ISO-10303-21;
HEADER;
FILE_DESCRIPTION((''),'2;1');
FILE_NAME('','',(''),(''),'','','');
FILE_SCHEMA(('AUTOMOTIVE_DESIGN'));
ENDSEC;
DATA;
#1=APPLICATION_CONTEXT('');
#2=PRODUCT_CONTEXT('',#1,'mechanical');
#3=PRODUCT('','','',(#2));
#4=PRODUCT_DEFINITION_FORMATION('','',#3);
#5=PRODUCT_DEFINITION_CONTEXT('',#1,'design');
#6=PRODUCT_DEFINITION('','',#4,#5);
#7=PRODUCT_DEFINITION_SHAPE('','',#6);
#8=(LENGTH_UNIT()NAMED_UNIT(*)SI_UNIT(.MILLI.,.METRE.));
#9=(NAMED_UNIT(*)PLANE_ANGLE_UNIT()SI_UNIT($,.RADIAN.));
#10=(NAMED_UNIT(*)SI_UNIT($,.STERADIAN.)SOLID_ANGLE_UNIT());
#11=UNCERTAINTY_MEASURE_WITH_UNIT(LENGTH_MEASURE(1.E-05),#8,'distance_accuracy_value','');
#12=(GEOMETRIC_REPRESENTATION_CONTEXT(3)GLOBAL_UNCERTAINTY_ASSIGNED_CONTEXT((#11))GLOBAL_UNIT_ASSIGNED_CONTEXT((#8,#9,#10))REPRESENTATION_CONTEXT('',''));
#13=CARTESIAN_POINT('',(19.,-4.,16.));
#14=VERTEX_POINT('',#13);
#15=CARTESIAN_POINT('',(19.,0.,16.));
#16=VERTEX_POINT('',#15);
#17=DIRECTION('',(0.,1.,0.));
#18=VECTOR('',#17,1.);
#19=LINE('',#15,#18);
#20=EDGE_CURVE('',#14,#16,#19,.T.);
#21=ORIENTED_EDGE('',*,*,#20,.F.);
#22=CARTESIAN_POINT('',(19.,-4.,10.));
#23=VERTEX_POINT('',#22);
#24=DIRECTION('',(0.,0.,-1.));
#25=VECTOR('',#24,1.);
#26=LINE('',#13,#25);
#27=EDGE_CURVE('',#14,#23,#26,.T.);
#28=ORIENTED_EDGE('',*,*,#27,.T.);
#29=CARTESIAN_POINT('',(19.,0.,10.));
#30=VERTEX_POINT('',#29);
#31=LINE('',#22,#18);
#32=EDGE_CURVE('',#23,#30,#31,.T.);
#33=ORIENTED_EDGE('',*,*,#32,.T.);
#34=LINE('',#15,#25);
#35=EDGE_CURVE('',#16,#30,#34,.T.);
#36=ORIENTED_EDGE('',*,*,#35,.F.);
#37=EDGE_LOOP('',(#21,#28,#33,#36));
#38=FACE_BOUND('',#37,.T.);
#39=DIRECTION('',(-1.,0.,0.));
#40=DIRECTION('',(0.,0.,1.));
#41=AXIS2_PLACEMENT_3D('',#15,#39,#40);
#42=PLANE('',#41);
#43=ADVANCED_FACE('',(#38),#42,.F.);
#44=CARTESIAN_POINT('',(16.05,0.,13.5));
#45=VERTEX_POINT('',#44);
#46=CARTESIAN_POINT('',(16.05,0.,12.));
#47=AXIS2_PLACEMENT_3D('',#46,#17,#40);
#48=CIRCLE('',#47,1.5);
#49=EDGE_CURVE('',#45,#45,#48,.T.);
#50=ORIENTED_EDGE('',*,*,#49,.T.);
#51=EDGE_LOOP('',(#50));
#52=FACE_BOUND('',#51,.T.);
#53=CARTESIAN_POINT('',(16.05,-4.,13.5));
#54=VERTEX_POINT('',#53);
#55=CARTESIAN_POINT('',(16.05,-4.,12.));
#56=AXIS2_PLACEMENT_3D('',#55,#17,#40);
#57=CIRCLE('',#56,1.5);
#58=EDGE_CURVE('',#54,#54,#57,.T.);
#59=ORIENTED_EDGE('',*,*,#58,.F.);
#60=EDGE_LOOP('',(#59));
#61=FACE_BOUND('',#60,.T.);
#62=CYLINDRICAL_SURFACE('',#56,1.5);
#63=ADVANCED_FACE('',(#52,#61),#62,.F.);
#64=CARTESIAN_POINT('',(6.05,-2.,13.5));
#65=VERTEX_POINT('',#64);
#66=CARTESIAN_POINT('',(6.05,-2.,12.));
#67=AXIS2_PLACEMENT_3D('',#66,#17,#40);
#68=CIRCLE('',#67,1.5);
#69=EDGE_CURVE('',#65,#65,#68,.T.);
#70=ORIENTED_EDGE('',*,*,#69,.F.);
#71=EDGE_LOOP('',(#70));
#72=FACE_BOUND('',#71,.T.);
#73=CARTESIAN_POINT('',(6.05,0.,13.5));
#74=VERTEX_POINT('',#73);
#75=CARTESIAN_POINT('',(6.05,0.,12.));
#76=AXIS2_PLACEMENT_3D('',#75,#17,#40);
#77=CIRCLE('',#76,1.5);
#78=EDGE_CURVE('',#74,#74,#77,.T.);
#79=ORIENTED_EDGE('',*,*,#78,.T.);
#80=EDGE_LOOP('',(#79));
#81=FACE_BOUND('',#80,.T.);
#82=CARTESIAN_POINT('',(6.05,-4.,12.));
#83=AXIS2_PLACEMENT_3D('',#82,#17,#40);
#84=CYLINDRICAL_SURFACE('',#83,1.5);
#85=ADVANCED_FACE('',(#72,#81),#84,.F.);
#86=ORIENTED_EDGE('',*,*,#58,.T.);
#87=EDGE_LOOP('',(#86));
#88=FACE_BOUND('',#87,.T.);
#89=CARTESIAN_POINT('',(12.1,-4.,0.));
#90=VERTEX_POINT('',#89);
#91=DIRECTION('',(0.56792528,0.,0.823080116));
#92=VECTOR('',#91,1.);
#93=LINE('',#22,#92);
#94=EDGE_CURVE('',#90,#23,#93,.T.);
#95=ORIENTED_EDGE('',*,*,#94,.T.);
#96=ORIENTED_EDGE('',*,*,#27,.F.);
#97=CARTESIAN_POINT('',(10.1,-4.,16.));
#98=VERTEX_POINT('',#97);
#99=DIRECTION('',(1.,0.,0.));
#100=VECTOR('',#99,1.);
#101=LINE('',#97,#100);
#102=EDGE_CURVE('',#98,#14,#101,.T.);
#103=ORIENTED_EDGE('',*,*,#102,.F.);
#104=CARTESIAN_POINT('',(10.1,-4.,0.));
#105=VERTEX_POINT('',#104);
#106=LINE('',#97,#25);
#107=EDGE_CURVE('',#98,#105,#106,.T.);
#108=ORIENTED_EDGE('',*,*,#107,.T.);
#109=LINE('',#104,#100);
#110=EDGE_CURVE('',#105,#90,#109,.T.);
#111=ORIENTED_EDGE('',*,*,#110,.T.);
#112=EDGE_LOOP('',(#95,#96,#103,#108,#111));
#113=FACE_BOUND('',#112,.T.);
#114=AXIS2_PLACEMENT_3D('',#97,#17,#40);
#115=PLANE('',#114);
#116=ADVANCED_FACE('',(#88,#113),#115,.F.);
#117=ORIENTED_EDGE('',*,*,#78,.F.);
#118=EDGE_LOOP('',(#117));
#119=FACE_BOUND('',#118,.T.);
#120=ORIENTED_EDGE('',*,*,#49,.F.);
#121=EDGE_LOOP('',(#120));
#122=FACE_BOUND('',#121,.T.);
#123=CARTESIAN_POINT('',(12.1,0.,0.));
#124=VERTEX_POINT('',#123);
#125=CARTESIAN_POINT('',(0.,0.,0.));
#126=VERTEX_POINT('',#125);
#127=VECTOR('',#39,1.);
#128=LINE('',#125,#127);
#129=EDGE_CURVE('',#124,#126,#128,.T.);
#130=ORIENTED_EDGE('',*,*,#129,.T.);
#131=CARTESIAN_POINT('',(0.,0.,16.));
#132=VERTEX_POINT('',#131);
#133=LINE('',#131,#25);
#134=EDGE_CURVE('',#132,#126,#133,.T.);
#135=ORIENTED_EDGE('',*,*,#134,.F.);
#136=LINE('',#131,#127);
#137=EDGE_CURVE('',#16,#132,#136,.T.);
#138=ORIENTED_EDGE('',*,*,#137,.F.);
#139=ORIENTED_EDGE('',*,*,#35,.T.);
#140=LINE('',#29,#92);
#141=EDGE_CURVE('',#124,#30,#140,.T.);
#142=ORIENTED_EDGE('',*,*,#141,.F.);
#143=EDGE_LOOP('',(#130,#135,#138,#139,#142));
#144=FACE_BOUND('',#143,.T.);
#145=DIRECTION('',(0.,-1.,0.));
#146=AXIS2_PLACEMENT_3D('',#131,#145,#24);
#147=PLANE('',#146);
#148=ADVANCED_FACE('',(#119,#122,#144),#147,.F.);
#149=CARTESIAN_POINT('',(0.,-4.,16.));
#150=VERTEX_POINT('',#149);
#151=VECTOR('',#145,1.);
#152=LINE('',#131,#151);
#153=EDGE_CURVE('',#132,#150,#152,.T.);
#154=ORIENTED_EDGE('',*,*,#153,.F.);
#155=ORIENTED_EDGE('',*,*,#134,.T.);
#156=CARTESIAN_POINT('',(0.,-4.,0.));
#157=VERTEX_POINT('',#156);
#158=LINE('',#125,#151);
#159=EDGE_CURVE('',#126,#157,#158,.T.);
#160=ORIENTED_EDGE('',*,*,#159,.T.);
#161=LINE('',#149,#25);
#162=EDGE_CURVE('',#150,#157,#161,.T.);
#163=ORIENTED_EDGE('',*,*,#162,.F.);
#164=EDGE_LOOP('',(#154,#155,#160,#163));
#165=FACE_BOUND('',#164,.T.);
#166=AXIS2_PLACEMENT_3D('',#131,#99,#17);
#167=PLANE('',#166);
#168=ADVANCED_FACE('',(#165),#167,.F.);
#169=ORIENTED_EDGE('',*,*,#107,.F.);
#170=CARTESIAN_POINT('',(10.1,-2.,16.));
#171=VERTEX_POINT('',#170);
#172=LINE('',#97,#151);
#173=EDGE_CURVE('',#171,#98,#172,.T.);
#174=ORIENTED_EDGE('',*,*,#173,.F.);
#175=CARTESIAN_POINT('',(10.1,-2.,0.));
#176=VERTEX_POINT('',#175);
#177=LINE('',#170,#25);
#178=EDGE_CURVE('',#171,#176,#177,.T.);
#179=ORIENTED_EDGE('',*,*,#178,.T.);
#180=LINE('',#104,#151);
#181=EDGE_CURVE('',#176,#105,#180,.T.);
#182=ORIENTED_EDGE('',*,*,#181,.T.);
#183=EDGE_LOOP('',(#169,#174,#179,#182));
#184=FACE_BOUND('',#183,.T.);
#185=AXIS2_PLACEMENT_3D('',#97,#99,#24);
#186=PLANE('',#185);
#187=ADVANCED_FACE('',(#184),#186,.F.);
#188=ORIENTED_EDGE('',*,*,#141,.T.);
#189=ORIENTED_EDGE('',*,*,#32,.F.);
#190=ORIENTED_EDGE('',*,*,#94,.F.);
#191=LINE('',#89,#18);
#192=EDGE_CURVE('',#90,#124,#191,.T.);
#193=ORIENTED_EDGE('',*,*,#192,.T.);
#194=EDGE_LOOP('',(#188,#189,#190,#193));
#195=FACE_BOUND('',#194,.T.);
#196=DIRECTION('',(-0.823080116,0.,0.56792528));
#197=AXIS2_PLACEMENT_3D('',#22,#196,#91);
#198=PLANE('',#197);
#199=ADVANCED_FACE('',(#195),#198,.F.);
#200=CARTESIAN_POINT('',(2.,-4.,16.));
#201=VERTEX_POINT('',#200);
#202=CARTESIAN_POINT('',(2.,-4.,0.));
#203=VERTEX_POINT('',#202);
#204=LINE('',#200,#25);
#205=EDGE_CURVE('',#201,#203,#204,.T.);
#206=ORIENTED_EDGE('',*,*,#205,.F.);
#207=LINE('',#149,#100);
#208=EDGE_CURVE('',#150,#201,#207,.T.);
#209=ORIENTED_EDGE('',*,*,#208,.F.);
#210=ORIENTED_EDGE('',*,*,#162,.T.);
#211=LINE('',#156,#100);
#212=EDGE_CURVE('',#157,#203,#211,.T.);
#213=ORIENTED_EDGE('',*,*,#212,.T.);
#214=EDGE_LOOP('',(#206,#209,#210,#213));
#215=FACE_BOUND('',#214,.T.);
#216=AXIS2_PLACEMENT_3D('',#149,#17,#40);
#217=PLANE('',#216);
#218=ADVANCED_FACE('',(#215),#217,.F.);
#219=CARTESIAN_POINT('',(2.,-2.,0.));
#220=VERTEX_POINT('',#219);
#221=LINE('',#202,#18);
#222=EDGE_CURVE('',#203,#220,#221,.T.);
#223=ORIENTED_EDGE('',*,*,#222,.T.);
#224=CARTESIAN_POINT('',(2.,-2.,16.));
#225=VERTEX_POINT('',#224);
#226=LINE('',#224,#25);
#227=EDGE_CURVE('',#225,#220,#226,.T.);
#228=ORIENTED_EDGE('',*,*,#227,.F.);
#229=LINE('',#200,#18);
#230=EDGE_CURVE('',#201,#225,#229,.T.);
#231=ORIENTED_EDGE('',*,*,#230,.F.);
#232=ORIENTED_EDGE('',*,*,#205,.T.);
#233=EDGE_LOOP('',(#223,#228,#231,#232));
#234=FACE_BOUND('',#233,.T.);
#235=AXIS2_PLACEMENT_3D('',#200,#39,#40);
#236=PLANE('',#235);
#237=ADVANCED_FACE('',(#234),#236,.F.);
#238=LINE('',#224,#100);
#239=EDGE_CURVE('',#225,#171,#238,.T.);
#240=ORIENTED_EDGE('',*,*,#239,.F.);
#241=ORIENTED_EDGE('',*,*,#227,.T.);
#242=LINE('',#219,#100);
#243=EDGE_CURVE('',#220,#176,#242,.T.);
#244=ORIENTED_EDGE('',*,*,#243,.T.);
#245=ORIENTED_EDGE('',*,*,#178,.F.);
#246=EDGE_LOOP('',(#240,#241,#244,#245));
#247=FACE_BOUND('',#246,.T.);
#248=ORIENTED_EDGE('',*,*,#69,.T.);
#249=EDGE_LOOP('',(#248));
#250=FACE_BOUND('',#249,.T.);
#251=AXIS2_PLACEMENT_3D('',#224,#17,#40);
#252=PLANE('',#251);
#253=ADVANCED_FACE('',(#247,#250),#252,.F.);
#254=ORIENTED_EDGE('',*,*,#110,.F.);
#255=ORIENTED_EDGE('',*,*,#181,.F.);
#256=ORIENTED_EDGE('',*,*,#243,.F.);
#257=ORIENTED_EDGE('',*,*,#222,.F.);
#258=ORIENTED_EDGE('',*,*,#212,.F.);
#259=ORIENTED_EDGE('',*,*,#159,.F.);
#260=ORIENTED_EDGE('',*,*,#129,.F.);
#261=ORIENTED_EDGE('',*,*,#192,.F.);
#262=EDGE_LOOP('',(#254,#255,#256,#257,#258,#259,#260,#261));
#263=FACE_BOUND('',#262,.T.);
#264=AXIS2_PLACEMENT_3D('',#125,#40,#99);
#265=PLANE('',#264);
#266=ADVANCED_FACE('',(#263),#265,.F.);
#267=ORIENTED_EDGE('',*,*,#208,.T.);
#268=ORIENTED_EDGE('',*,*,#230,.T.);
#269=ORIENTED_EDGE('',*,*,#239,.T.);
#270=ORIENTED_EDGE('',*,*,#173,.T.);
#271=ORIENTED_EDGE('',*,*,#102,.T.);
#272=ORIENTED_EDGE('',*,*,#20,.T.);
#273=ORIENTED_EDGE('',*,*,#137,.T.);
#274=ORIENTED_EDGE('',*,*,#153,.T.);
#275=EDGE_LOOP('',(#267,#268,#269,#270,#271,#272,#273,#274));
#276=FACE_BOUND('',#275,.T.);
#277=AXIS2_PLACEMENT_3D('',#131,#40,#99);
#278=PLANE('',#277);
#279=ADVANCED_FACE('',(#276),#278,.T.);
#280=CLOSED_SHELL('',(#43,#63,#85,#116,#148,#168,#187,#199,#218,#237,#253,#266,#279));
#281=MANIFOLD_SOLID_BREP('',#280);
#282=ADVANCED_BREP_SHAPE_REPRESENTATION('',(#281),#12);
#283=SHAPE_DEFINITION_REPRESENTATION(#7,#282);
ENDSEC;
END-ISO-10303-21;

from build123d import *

# Parameters (mm, degrees)
BOSS_EXTRU_1_DEPTH      = 16
ESQUISSE2_R             = 1.5
ENL_V_MAT_EXTRU_1_DEPTH = 26.159491251


with BuildPart() as part:
    # Esquisse1 → Boss.-Extru.1 (new body)
    with BuildSketch(Plane.XY):
        Polygon((10.1, -4), (19, -4), (19, 0), (0, 0), (0, -4), (2, -4), (2, -2), (10.1, -2), align=None)
    extrude(amount=BOSS_EXTRU_1_DEPTH)

    # Esquisse2 → Enlèv. mat.-Extru.1 (cut, through all)
    with BuildSketch(Plane(origin=(0, 0, 0), x_dir=(1, 0, 0), z_dir=(0, 1, 0))):
        with Locations(Location((6.05, -12, 0), (0, 0, 270))):
            Circle(ESQUISSE2_R)
        with Locations(Location((16.05, -12, 0), (0, 0, 270))):
            Circle(ESQUISSE2_R)
        Polygon((12.1, 0), (19, 0), (19, -10), align=None)
    extrude(amount=-ENL_V_MAT_EXTRU_1_DEPTH, mode=Mode.SUBTRACT)


solid = part.part
